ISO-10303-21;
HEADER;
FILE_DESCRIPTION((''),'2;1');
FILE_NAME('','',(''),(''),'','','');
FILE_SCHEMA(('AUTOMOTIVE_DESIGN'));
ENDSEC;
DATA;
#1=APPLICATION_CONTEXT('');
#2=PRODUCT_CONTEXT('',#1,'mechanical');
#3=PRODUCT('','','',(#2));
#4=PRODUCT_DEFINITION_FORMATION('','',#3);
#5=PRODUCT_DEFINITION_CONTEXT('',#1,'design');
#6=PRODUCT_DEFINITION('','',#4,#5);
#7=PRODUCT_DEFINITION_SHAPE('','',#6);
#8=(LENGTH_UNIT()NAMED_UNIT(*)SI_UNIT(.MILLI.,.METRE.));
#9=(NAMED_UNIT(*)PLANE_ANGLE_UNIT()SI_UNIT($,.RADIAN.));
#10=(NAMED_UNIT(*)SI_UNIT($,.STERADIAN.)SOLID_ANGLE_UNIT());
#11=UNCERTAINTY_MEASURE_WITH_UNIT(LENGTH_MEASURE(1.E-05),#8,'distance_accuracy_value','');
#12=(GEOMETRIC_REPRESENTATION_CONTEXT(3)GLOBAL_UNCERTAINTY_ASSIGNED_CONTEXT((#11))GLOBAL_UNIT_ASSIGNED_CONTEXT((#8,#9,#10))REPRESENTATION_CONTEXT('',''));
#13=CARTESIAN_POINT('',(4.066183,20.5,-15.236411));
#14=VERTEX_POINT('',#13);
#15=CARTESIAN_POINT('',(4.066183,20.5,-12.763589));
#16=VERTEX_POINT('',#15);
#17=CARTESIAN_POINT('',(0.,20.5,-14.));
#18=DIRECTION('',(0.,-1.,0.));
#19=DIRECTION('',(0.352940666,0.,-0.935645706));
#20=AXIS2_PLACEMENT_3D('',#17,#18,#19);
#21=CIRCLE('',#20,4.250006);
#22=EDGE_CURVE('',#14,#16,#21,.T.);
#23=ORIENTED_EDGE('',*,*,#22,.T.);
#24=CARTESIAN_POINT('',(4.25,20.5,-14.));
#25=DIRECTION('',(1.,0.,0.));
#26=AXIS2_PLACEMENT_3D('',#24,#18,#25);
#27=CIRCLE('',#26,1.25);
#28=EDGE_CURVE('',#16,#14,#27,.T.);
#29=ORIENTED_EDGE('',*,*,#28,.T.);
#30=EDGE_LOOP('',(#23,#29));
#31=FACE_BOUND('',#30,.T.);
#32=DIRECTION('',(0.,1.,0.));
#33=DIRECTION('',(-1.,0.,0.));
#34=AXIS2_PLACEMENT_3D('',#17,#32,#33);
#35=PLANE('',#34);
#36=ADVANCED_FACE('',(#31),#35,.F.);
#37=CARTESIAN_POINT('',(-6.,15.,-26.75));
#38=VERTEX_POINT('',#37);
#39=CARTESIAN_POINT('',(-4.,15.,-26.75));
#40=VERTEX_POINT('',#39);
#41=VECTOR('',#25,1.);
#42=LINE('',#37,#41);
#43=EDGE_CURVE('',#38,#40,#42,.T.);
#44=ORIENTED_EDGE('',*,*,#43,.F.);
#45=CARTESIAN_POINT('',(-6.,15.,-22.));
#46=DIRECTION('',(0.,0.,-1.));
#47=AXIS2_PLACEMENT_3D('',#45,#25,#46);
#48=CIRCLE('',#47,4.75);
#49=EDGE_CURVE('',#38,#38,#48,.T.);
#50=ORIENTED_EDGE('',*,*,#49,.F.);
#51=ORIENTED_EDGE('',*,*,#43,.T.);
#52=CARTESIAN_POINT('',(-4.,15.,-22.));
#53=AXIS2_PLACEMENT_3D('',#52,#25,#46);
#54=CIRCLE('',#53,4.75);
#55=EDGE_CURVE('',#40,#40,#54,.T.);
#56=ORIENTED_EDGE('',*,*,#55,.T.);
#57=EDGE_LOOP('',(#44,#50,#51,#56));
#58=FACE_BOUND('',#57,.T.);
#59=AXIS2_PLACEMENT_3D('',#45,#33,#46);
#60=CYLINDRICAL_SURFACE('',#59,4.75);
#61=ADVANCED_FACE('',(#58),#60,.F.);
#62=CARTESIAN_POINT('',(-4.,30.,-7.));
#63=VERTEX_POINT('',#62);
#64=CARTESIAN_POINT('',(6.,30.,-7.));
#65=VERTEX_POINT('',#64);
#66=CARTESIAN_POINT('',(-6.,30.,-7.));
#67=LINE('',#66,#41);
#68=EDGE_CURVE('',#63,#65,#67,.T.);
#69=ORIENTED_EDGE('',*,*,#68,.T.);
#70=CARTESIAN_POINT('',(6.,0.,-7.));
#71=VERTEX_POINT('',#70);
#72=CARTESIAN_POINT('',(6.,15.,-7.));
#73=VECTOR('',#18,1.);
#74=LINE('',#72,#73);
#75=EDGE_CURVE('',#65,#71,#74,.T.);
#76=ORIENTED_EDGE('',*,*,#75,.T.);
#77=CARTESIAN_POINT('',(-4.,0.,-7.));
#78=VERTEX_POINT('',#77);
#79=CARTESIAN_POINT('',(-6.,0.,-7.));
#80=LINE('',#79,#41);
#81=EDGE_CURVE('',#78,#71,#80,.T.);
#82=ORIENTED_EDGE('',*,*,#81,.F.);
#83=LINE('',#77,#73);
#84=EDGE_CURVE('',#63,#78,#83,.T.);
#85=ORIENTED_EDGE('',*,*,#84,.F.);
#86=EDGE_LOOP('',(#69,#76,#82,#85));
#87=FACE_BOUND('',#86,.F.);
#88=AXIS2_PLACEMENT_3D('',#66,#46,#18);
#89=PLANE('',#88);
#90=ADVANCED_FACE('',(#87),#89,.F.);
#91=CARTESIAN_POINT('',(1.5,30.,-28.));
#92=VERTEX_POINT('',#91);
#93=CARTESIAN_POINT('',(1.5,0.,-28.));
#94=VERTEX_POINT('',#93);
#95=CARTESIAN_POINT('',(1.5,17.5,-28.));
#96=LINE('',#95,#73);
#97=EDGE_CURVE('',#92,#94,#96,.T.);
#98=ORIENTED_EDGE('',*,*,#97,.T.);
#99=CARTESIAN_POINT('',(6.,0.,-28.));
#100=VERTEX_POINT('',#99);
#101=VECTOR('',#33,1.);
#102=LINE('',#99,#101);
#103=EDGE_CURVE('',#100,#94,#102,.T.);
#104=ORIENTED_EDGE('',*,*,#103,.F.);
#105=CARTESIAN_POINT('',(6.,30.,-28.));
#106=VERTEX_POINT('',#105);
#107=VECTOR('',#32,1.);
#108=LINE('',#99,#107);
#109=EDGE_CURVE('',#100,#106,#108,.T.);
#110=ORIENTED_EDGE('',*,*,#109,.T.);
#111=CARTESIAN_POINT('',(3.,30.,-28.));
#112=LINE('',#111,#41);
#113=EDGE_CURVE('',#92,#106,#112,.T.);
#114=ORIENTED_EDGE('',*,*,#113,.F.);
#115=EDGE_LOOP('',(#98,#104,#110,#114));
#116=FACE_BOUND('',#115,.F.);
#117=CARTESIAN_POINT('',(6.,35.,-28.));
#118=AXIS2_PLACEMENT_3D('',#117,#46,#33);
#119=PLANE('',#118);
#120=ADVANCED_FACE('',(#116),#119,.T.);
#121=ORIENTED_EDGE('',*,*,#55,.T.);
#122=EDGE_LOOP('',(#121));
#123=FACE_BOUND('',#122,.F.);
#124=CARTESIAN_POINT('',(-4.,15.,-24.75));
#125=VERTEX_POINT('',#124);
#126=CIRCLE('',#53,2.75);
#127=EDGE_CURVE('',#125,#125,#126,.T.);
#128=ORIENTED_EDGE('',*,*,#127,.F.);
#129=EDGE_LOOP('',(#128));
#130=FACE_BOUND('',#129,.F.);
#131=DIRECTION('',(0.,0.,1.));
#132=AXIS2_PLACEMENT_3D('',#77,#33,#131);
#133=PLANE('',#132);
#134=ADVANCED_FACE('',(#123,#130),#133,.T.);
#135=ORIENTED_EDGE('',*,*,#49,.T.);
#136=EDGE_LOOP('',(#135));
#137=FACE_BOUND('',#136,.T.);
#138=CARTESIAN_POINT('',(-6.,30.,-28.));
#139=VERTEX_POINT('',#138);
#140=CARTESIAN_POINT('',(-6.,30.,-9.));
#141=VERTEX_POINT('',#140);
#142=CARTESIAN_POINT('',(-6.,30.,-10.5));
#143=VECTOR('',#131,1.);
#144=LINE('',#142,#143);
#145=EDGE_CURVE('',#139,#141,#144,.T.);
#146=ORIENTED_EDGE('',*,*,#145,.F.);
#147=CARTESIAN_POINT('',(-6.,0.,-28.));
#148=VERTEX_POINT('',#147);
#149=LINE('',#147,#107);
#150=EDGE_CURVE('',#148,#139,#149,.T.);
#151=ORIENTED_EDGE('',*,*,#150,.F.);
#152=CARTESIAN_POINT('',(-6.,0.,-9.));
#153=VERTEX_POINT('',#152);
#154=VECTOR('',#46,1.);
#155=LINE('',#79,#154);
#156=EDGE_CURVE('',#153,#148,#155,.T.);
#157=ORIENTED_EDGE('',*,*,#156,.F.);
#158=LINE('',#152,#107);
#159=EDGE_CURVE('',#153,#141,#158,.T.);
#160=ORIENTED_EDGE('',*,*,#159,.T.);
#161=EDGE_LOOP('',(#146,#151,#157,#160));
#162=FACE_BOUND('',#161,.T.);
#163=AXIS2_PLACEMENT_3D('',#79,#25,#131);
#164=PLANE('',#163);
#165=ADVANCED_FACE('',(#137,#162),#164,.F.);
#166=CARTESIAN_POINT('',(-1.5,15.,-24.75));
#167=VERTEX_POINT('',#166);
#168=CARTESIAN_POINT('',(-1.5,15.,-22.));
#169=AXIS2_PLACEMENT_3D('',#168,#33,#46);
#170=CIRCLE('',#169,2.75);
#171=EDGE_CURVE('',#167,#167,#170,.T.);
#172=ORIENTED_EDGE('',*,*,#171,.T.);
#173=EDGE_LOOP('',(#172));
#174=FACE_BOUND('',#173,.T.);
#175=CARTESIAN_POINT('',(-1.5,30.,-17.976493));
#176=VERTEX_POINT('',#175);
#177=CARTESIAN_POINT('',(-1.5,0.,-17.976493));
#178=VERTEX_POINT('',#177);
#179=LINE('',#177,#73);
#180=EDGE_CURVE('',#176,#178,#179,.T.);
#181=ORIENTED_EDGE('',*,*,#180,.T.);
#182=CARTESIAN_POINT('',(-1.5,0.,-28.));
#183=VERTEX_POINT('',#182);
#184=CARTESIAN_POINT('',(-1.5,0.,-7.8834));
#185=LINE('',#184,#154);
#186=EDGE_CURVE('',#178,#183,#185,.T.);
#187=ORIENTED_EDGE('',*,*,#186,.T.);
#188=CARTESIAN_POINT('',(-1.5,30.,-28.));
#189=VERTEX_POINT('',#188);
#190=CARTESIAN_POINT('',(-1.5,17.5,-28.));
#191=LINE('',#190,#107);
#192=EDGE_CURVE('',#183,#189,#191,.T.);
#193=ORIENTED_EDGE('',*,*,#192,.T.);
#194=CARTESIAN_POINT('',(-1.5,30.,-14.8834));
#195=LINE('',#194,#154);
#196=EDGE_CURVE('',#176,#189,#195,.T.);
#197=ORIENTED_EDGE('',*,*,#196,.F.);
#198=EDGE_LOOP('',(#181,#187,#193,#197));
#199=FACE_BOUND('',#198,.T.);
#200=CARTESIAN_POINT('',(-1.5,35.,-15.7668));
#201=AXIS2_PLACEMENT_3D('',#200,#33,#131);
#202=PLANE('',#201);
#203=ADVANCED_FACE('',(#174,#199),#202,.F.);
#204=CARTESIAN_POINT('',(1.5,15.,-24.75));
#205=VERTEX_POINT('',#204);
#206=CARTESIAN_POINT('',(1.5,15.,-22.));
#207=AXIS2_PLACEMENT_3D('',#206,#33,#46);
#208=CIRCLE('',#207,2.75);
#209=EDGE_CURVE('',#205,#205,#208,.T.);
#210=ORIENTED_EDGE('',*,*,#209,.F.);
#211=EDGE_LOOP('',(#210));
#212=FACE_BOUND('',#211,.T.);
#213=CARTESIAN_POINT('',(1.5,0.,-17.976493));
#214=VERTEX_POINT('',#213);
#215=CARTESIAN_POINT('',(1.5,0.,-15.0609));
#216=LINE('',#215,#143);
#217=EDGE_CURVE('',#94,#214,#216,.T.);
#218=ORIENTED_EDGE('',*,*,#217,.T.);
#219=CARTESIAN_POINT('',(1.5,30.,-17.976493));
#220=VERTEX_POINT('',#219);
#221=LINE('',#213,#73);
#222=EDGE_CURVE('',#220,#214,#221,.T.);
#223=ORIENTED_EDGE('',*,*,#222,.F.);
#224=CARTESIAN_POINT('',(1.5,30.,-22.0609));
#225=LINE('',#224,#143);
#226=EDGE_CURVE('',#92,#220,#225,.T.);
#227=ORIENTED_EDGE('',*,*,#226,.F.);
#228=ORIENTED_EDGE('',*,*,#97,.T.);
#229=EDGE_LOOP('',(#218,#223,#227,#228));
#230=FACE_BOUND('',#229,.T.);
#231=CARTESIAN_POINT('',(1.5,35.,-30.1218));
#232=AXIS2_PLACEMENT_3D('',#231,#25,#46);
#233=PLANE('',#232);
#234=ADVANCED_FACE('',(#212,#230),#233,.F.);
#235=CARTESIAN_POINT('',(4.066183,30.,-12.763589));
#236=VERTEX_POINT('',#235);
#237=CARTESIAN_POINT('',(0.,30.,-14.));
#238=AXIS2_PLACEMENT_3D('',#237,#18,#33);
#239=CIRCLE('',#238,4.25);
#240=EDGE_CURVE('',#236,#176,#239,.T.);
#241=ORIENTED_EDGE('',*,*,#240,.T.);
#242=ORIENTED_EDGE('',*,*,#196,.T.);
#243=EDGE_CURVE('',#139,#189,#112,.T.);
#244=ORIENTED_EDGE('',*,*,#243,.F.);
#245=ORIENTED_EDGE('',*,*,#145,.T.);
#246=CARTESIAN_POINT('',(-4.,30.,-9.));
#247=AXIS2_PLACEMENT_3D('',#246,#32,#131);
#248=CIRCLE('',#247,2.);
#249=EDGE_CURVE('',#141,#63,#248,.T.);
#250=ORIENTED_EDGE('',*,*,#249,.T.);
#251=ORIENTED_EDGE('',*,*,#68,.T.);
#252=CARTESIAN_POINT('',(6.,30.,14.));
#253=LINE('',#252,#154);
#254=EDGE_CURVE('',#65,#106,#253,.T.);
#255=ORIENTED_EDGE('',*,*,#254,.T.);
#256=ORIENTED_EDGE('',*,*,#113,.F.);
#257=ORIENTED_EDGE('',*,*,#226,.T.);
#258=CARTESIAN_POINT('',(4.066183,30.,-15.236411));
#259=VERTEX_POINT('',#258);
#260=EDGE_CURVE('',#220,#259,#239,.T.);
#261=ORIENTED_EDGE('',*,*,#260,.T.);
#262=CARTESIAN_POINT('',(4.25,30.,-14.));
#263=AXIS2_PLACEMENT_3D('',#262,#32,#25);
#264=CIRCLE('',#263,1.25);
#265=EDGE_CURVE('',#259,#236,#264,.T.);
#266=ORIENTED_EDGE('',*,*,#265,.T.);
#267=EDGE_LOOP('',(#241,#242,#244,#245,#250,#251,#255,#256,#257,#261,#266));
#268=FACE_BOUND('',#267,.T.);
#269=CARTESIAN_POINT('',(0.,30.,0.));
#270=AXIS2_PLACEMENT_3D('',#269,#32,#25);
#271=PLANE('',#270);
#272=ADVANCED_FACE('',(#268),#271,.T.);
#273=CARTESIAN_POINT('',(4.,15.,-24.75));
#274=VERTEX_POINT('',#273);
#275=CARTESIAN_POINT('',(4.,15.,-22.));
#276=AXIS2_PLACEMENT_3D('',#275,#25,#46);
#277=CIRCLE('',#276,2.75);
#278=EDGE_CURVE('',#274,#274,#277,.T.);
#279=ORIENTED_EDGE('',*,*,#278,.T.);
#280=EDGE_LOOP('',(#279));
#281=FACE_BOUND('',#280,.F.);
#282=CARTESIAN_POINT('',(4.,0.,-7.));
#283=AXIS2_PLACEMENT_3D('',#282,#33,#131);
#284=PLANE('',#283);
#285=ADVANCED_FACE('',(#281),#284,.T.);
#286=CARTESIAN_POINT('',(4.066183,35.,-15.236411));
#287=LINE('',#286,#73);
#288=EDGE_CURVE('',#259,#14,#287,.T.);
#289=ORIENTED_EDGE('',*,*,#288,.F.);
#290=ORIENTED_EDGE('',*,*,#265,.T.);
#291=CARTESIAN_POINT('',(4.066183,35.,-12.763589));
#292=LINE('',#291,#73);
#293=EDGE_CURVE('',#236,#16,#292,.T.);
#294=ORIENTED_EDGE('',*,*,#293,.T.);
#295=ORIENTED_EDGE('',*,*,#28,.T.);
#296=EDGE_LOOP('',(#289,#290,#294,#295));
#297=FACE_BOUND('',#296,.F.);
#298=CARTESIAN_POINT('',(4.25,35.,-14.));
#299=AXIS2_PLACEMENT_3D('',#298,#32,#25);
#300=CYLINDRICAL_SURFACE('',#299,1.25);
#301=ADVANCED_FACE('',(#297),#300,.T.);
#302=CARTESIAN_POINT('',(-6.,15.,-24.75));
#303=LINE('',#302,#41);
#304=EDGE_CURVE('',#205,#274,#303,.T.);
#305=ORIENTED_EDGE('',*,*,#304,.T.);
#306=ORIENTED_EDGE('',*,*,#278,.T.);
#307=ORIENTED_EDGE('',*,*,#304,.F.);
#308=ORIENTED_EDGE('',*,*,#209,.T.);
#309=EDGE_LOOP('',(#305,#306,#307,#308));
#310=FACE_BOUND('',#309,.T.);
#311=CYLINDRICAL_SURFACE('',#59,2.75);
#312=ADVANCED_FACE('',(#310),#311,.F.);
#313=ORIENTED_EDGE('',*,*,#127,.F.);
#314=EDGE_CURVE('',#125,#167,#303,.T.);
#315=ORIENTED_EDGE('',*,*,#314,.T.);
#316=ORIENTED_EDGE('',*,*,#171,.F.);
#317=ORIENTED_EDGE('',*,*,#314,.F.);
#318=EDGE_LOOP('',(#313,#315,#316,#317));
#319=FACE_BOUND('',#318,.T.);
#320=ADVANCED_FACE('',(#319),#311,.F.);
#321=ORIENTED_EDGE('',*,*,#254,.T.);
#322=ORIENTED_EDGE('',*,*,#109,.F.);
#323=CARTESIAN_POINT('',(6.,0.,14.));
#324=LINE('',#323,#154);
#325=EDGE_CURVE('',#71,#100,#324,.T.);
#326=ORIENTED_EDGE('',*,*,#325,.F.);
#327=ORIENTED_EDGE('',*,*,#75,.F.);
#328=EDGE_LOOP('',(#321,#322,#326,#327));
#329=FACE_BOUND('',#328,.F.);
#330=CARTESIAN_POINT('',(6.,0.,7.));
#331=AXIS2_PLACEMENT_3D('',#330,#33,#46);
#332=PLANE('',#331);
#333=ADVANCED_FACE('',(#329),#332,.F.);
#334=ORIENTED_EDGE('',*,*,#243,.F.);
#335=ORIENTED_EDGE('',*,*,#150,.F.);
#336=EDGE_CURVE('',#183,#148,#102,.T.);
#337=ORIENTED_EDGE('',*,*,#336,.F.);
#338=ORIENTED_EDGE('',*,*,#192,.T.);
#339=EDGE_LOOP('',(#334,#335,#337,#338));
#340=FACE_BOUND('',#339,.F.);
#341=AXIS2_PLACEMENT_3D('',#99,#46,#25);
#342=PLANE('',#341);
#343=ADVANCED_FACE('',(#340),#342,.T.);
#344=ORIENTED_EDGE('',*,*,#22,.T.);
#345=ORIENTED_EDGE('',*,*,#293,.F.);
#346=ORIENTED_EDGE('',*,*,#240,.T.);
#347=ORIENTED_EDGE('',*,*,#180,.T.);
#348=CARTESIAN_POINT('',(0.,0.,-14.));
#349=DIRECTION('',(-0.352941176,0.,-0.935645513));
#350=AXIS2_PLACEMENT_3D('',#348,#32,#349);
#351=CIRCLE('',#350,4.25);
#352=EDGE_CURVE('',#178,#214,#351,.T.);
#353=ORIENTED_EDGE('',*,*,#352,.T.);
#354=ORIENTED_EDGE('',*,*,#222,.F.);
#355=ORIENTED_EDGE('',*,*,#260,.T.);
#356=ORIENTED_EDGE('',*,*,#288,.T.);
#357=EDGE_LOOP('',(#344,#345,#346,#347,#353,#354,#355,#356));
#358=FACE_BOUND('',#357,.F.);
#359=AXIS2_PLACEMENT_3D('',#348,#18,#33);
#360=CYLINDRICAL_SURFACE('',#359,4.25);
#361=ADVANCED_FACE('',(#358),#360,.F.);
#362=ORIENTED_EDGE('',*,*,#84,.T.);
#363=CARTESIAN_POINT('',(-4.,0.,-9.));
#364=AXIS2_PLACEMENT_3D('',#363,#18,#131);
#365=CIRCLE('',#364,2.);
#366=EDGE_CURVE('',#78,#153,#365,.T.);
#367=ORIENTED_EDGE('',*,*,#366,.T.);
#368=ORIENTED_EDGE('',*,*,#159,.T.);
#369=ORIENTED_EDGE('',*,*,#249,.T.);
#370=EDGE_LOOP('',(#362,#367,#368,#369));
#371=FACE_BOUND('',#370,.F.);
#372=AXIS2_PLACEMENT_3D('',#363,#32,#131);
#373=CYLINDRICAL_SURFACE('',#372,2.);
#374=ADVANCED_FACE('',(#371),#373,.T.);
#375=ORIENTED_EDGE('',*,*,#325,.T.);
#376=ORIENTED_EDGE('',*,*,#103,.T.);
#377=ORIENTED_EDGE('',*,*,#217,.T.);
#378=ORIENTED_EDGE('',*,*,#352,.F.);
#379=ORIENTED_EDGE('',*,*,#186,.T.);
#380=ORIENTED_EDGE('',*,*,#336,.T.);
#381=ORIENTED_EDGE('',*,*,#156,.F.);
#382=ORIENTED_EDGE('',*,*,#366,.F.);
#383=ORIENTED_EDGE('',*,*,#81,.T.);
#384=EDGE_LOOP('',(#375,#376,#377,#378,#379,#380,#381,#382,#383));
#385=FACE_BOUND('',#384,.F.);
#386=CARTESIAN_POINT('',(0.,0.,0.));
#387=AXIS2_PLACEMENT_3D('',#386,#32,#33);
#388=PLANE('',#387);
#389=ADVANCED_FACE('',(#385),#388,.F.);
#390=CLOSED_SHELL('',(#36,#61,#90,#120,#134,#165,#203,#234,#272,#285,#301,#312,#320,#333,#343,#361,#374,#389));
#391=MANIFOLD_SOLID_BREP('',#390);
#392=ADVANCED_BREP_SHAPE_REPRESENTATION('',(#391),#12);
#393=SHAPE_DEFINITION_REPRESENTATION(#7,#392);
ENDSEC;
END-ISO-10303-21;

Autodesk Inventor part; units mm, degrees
ref_plane "YZ Plane" through (0, 0, 0) normal (1, 0, 0) x (0, 1, 0)
ref_plane "XZ Plane" through (0, 0, 0) normal (0, 1, 0) x (-1, 0, 0)
ref_plane "XY Plane" through (0, 0, 0) normal (0, 0, 1) x (1, 0, 0)
sketch "Sketch1" plane through (0, 0, 0) normal (0, 1, 0) x (-1, 0, 0)
  circle A0 centre (0, 0) radius 4.25
  line L0 (6, 7) -> (-6, 7)
  line L1 (-6, 7) -> (-6, -7)
  line L2 (-6, -7) -> (6, -7)
  line L3 (6, -7) -> (6, 7)
  line L4 (6, 7) -> (-6, 7)
  line L5 (-6, 7) -> (-6, 14)
  line L6 (-6, 14) -> (6, 14)
  line L7 (6, 14) -> (6, 7)
  point P0 (-6, 7)
  dimension "d0" = 8.5
  dimension "d1" = 6
  dimension "d2" = 14
  dimension "d3" = 12
  dimension "d4" = 7
  dimension "d5" = 7
extrude "Extrusion1" add sketch "Sketch1" along normal blind 35
sketch "Sketch2" plane through (0, 35, 0) normal (0, 1, 0) x (1, 0, 0)
  line L0 (-1.5, -16.1218) -> (1.5, -16.1218)
  line L1 (1.5, -16.1218) -> (1.5, -1.7668)
  line L2 (1.5, -1.7668) -> (-1.5, -1.7668)
  line L3 (-1.5, -1.7668) -> (-1.5, -16.1218)
  point P0 (0, 0)
  dimension "d8" = 1.5
  dimension "d9" = 1.5
extrude "Extrusion2" cut sketch "Sketch2" against normal through all
sketch "Sketch3" plane through (-6, 0, -7) normal (-1, 0, 0) x (0, 0, 1)
  circle A0 centre (15, 15) radius 2.75
  line L0 (21, 0) -> (21, 35) projected
  line L1 (0, 0) -> (21, 0) projected
  point P0 (7, 0)
  dimension "d12" = 5.5
  dimension "d13" = 6
  dimension "d14" = 15
extrude "Extrusion3" cut sketch "Sketch3" against normal blind 10
sketch "Sketch4" plane through (0, 35, 0) normal (0, 1, 0) x (1, 0, 0)
  arc A0 (1.5, -3.9765) -> (-1.5, -3.9765) centre (0, 0) ccw projected
  circle A1 centre (4.25, 0) radius 1.25
  point P0 (4.0662, 1.2364)
  point P1 (4.0662, -1.2364)
  dimension "d17" = 2.5
extrude "Extrusion4" add sketch "Sketch4" against normal blind 14.5 contours A1 A0 picked at (3.8196, 0)
sketch "Sketch5" plane through (0, 35, 0) normal (0, 1, 0) x (1, 0, 0)
  line L0 (1.5, -14) -> (6, -14) projected
  line L1 (6, -14) -> (36, -14)
  line L2 (36, -14) -> (36, 7)
  line L3 (36, 7) -> (6, 7)
  line L4 (6, 7) -> (6, -14)
  circle A0 centre (21, -3.5) radius 2.75
  point P0 (0, 0)
  dimension "d20" = 30
  dimension "d21" = 15
  dimension "d22" = 10.5
  dimension "d23" = 5.5
extrude "Extrusion5" add sketch "Sketch5" against normal blind 5
sketch "Sketch6" plane through (0, 35, 0) normal (0, 1, 0) x (1, 0, 0)
  circle A0 centre (21, -3.5) radius 2.75 projected
  circle A1 centre (21, -3.5) radius 4.75
  point P0 (0, 0)
  dimension "d26" = 9.5
extrude "Extrusion6" cut sketch "Sketch6" against normal blind 2
sketch "Sketch7" plane through (-6, 0, -7) normal (-1, 0, 0) x (0, 0, 1)
  circle A0 centre (15, 15) radius 2.75 projected
  circle A1 centre (15, 15) radius 4.75
  point P0 (7, 0)
  dimension "d29" = 9.5
extrude "Extrusion7" cut sketch "Sketch7" against normal blind 2
fillet "Fillet1" radius 2 3 edges at (-6, 17.5, -7) (36, 32.5, -7) (36, 32.5, 14)
sketch "Sketch9" plane through (0, 35, 0) normal (0, 1, 0) x (1, 0, 0)
  line L0 (-21.5057, -29.1514) -> (41.8439, -29.1514)
  line L1 (41.8439, -29.1514) -> (41.8439, 16.5719)
  line L2 (41.8439, 16.5719) -> (-21.5057, 16.5719)
  line L3 (-21.5057, 16.5719) -> (-21.5057, -29.1514)
  point P0 (0, 0)
extrude "Extrusion8" cut sketch "Sketch9" against normal blind 5
mirror "Mirror1" about plane through (6, 0, -7) normal (0, 0, -1) of "Extrusion1", "Extrusion2", "Extrusion3", "Extrusion4", "Extrusion5", "Extrusion6", "Extrusion7", "Fillet1", "Extrusion8"
sketch "Sketch10" plane through (-6, 0, -5) normal (-1, 0, 0) x (0, 0, 1)
  line L0 (-2, 30) -> (-2, 0) projected
  line L1 (26.294, -8.8637) -> (-2, -8.8637)
  line L2 (-2, -8.8637) -> (-2, 30)
  line L3 (-2, 30) -> (26.294, 30)
  line L4 (26.294, 30) -> (26.294, -8.8637)
  point P0 (5, 0)
  point P1 (-2, 0)
extrude "Extrusion9" cut sketch "Sketch10" against normal through all
properties part number "YsupportB"
